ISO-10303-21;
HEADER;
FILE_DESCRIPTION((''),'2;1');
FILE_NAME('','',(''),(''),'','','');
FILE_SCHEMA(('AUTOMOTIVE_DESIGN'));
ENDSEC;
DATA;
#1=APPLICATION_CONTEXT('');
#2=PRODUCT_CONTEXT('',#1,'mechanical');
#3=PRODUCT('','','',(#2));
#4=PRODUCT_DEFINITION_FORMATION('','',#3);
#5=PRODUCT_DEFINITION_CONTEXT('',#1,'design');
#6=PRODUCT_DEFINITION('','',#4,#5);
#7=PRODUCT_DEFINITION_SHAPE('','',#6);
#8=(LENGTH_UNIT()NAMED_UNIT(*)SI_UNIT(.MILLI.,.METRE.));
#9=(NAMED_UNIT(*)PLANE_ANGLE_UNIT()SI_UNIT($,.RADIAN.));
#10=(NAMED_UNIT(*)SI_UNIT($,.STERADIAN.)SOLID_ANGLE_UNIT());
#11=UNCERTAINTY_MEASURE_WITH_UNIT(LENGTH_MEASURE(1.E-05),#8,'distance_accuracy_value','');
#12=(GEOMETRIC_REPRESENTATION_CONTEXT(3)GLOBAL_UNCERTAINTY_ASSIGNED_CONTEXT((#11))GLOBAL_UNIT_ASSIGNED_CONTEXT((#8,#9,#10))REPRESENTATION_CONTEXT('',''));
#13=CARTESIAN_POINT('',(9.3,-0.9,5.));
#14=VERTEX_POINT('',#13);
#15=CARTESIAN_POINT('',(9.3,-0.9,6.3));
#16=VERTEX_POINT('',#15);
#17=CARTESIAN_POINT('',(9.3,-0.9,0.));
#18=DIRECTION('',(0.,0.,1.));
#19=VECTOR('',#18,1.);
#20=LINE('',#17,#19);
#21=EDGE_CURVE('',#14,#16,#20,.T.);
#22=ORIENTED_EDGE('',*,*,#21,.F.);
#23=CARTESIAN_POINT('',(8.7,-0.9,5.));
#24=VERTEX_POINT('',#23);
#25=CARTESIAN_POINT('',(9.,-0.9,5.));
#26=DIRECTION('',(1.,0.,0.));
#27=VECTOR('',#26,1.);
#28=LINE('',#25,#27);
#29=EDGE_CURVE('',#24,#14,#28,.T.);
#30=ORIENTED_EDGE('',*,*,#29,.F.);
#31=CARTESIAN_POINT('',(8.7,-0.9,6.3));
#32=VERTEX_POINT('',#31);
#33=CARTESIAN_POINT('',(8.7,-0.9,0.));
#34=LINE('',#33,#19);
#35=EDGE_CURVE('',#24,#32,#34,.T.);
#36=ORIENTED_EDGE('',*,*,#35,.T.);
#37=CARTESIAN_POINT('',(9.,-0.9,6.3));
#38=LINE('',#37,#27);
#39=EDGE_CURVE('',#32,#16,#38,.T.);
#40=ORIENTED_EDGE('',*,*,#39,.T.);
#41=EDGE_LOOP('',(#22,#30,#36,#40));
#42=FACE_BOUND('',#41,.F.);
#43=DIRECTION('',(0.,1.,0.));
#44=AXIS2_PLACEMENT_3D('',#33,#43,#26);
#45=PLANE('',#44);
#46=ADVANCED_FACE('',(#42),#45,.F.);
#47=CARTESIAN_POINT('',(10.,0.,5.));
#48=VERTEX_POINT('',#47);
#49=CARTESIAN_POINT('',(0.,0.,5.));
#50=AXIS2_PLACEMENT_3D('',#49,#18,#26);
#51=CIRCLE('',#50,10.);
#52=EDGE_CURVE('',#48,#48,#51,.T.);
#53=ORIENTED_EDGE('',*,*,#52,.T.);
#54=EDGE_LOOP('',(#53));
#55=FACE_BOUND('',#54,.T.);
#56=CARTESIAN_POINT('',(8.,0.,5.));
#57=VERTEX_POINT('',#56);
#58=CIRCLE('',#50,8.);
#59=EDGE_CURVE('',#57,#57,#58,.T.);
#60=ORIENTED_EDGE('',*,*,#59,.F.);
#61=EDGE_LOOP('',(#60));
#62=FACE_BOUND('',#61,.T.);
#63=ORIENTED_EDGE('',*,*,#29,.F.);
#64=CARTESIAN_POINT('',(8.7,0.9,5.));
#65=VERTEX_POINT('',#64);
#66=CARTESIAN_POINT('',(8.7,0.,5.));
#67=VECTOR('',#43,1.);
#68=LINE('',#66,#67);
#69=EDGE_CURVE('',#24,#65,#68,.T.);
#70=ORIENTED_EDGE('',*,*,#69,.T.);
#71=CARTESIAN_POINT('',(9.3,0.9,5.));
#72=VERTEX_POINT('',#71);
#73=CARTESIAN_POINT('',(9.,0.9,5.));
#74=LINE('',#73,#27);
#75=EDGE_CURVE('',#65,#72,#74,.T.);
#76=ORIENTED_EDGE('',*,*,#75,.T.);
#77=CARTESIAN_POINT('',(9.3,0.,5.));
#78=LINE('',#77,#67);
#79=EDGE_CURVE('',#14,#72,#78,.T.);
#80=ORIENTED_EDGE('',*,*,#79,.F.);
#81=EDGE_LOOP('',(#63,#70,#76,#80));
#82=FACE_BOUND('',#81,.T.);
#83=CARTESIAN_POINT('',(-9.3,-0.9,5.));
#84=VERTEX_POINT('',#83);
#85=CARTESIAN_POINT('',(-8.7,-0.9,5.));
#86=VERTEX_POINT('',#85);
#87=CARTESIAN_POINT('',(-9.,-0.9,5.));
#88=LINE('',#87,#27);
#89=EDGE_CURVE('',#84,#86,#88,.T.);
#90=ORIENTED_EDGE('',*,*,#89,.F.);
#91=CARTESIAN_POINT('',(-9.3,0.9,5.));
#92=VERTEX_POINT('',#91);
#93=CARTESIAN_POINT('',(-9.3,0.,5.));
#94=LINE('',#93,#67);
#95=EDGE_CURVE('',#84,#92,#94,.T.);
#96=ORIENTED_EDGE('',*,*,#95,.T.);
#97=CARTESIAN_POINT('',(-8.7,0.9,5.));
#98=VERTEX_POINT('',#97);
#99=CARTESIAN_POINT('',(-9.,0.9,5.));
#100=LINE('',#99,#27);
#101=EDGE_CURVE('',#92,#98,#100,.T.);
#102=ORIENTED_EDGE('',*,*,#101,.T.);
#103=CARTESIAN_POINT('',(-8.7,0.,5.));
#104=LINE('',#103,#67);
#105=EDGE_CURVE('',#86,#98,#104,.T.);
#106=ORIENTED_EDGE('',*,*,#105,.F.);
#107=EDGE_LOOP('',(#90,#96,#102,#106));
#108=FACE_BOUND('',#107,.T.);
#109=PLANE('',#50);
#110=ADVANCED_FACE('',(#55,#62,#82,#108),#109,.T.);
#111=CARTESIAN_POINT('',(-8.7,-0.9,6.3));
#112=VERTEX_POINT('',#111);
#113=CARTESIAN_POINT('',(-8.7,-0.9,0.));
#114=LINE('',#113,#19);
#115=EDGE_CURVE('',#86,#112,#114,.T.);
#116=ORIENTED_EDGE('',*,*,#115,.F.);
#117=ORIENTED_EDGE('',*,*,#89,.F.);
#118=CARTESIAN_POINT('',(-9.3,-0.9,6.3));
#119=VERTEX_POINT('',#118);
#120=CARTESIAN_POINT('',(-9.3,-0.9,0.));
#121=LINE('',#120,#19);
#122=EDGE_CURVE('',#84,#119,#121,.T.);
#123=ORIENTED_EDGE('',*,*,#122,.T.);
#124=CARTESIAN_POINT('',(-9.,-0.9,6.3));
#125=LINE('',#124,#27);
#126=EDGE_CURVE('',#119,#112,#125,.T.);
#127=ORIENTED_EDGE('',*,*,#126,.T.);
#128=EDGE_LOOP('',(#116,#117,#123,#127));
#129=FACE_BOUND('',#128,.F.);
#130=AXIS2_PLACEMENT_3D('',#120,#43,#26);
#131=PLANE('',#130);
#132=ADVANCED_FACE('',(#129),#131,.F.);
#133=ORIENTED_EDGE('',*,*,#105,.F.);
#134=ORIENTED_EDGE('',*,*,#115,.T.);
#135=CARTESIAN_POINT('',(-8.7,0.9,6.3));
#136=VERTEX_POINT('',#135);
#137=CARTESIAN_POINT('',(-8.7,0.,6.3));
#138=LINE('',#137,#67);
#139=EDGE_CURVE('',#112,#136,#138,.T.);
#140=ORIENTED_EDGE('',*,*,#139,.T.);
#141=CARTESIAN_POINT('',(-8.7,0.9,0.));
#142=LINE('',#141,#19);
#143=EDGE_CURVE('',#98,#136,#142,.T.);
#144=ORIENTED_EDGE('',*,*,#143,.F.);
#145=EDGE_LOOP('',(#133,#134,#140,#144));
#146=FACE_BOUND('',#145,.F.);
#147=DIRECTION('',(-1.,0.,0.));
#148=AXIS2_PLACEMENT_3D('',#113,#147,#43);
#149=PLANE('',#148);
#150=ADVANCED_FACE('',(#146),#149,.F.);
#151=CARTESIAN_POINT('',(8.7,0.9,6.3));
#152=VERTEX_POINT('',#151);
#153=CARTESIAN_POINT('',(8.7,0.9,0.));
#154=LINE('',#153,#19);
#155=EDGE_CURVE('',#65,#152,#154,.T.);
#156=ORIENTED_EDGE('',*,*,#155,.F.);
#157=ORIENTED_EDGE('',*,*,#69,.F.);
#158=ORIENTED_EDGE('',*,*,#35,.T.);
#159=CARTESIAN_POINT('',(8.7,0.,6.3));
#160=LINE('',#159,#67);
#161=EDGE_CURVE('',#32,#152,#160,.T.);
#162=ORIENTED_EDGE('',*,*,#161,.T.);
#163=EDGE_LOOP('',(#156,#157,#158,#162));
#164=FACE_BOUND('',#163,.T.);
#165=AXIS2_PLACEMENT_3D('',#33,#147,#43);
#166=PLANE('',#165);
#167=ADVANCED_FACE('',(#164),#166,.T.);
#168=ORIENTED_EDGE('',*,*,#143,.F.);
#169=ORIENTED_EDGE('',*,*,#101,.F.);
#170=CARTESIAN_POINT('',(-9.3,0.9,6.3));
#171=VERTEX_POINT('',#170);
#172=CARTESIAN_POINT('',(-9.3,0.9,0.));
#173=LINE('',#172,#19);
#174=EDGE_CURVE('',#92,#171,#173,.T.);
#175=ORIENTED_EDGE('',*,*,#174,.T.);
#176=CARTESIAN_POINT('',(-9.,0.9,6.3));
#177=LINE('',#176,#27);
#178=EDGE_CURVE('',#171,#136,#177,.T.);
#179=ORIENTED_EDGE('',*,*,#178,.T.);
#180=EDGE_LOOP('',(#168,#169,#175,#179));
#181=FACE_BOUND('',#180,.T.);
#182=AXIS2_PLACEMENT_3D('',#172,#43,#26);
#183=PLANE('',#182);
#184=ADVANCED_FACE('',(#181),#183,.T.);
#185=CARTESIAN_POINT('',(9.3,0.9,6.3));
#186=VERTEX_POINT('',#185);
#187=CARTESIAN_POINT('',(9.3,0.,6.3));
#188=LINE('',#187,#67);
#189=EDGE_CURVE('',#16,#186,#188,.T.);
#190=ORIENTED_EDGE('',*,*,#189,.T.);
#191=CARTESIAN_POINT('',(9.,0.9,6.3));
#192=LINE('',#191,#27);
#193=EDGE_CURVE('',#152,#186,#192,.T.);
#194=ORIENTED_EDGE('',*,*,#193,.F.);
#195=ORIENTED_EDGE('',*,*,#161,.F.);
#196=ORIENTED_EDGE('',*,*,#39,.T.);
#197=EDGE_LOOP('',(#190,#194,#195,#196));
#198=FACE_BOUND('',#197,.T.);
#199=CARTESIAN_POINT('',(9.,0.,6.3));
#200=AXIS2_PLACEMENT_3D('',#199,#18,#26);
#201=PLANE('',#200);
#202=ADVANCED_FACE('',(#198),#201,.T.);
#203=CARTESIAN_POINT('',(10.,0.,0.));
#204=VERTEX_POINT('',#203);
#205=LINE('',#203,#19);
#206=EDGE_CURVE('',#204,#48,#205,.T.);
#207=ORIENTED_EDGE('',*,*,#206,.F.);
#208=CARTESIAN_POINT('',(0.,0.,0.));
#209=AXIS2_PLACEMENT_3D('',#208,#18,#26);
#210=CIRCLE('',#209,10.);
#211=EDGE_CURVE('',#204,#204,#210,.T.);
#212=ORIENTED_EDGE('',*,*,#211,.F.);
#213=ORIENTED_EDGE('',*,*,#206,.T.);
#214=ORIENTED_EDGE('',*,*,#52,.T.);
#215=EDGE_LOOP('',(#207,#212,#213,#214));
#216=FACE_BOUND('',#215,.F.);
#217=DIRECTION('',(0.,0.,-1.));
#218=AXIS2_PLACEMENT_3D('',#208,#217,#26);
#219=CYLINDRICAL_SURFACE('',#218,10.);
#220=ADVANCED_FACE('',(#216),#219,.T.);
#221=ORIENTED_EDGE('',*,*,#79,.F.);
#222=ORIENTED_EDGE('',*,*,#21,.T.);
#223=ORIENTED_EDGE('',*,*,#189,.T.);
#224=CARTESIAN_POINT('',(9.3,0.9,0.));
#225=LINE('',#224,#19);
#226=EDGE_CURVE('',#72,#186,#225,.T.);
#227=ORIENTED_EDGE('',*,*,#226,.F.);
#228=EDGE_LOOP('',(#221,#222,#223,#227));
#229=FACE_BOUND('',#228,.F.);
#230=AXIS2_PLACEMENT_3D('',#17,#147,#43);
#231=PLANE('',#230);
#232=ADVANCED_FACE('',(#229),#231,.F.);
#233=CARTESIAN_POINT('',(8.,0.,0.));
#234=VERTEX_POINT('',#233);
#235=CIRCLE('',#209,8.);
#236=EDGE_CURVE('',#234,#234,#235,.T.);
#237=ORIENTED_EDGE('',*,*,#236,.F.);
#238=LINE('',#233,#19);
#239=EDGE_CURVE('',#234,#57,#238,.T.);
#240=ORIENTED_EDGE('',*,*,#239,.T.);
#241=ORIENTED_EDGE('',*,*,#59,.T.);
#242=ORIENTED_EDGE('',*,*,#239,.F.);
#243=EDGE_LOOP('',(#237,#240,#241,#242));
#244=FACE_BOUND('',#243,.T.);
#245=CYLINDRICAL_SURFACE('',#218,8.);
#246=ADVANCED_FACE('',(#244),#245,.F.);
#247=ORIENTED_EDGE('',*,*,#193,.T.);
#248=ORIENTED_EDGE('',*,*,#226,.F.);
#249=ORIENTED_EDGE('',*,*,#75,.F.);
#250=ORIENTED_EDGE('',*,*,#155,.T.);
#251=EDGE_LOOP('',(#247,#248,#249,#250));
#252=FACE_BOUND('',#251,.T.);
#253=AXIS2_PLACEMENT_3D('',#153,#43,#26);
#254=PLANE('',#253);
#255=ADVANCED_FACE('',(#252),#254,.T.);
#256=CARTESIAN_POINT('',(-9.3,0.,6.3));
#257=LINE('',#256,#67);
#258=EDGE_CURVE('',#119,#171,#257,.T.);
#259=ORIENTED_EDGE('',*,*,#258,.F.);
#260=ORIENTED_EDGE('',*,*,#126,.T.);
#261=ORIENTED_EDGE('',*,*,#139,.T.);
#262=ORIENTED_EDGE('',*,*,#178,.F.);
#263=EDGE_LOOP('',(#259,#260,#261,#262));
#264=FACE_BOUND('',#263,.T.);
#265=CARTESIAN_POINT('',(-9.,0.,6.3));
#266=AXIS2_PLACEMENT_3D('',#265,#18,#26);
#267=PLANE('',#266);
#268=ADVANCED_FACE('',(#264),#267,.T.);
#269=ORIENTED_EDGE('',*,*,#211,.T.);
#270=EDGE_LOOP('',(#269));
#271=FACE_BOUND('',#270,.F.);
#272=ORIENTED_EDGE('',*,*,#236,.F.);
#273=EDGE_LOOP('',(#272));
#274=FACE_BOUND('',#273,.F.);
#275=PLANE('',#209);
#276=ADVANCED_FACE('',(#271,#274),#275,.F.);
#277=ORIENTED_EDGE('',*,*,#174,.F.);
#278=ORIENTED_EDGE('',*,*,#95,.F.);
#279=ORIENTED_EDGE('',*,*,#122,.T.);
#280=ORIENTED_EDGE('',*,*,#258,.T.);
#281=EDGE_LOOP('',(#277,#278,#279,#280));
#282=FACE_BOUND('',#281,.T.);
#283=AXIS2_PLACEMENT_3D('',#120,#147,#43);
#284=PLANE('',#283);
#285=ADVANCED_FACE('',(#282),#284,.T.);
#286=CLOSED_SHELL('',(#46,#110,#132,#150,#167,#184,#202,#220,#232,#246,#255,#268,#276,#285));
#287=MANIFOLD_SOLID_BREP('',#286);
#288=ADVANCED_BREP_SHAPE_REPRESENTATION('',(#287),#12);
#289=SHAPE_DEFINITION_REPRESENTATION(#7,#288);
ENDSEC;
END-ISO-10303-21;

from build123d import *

# Parameters (mm, degrees)
F0_W     = 0.6
F0_H     = 1.8
F1_DEPTH = 6.3
F0_R     = 10
F0_R_2   = 8
F2_DEPTH = 5


with BuildPart() as f1:
    # F0 (on Top) → F1 (new body)
    with BuildSketch(Plane.XY):
        with Locations((-9, 0)):
            Rectangle(F0_W, F0_H)
    extrude(amount=F1_DEPTH)



with BuildPart() as f1b:
    # F0 (on Top) → F1, piece 2 (new body)
    with BuildSketch(Plane.XY):
        with Locations((9, 0)):
            Rectangle(F0_W, F0_H)
    extrude(amount=F1_DEPTH)


with BuildPart() as f1_1:
    add(f1.part)

    add(f1b.part)  # F2 merges F1b
    # F0 (on Top) → F2 (join)
    with BuildSketch(Plane.XY):
        Circle(F0_R)
        with Locations((-9, 0)):
            Rectangle(F0_W, F0_H, mode=Mode.SUBTRACT)
        Circle(F0_R_2, mode=Mode.SUBTRACT)
        with Locations((9, 0)):
            Rectangle(F0_W, F0_H, mode=Mode.SUBTRACT)
    extrude(amount=F2_DEPTH)


solid = f1_1.part
